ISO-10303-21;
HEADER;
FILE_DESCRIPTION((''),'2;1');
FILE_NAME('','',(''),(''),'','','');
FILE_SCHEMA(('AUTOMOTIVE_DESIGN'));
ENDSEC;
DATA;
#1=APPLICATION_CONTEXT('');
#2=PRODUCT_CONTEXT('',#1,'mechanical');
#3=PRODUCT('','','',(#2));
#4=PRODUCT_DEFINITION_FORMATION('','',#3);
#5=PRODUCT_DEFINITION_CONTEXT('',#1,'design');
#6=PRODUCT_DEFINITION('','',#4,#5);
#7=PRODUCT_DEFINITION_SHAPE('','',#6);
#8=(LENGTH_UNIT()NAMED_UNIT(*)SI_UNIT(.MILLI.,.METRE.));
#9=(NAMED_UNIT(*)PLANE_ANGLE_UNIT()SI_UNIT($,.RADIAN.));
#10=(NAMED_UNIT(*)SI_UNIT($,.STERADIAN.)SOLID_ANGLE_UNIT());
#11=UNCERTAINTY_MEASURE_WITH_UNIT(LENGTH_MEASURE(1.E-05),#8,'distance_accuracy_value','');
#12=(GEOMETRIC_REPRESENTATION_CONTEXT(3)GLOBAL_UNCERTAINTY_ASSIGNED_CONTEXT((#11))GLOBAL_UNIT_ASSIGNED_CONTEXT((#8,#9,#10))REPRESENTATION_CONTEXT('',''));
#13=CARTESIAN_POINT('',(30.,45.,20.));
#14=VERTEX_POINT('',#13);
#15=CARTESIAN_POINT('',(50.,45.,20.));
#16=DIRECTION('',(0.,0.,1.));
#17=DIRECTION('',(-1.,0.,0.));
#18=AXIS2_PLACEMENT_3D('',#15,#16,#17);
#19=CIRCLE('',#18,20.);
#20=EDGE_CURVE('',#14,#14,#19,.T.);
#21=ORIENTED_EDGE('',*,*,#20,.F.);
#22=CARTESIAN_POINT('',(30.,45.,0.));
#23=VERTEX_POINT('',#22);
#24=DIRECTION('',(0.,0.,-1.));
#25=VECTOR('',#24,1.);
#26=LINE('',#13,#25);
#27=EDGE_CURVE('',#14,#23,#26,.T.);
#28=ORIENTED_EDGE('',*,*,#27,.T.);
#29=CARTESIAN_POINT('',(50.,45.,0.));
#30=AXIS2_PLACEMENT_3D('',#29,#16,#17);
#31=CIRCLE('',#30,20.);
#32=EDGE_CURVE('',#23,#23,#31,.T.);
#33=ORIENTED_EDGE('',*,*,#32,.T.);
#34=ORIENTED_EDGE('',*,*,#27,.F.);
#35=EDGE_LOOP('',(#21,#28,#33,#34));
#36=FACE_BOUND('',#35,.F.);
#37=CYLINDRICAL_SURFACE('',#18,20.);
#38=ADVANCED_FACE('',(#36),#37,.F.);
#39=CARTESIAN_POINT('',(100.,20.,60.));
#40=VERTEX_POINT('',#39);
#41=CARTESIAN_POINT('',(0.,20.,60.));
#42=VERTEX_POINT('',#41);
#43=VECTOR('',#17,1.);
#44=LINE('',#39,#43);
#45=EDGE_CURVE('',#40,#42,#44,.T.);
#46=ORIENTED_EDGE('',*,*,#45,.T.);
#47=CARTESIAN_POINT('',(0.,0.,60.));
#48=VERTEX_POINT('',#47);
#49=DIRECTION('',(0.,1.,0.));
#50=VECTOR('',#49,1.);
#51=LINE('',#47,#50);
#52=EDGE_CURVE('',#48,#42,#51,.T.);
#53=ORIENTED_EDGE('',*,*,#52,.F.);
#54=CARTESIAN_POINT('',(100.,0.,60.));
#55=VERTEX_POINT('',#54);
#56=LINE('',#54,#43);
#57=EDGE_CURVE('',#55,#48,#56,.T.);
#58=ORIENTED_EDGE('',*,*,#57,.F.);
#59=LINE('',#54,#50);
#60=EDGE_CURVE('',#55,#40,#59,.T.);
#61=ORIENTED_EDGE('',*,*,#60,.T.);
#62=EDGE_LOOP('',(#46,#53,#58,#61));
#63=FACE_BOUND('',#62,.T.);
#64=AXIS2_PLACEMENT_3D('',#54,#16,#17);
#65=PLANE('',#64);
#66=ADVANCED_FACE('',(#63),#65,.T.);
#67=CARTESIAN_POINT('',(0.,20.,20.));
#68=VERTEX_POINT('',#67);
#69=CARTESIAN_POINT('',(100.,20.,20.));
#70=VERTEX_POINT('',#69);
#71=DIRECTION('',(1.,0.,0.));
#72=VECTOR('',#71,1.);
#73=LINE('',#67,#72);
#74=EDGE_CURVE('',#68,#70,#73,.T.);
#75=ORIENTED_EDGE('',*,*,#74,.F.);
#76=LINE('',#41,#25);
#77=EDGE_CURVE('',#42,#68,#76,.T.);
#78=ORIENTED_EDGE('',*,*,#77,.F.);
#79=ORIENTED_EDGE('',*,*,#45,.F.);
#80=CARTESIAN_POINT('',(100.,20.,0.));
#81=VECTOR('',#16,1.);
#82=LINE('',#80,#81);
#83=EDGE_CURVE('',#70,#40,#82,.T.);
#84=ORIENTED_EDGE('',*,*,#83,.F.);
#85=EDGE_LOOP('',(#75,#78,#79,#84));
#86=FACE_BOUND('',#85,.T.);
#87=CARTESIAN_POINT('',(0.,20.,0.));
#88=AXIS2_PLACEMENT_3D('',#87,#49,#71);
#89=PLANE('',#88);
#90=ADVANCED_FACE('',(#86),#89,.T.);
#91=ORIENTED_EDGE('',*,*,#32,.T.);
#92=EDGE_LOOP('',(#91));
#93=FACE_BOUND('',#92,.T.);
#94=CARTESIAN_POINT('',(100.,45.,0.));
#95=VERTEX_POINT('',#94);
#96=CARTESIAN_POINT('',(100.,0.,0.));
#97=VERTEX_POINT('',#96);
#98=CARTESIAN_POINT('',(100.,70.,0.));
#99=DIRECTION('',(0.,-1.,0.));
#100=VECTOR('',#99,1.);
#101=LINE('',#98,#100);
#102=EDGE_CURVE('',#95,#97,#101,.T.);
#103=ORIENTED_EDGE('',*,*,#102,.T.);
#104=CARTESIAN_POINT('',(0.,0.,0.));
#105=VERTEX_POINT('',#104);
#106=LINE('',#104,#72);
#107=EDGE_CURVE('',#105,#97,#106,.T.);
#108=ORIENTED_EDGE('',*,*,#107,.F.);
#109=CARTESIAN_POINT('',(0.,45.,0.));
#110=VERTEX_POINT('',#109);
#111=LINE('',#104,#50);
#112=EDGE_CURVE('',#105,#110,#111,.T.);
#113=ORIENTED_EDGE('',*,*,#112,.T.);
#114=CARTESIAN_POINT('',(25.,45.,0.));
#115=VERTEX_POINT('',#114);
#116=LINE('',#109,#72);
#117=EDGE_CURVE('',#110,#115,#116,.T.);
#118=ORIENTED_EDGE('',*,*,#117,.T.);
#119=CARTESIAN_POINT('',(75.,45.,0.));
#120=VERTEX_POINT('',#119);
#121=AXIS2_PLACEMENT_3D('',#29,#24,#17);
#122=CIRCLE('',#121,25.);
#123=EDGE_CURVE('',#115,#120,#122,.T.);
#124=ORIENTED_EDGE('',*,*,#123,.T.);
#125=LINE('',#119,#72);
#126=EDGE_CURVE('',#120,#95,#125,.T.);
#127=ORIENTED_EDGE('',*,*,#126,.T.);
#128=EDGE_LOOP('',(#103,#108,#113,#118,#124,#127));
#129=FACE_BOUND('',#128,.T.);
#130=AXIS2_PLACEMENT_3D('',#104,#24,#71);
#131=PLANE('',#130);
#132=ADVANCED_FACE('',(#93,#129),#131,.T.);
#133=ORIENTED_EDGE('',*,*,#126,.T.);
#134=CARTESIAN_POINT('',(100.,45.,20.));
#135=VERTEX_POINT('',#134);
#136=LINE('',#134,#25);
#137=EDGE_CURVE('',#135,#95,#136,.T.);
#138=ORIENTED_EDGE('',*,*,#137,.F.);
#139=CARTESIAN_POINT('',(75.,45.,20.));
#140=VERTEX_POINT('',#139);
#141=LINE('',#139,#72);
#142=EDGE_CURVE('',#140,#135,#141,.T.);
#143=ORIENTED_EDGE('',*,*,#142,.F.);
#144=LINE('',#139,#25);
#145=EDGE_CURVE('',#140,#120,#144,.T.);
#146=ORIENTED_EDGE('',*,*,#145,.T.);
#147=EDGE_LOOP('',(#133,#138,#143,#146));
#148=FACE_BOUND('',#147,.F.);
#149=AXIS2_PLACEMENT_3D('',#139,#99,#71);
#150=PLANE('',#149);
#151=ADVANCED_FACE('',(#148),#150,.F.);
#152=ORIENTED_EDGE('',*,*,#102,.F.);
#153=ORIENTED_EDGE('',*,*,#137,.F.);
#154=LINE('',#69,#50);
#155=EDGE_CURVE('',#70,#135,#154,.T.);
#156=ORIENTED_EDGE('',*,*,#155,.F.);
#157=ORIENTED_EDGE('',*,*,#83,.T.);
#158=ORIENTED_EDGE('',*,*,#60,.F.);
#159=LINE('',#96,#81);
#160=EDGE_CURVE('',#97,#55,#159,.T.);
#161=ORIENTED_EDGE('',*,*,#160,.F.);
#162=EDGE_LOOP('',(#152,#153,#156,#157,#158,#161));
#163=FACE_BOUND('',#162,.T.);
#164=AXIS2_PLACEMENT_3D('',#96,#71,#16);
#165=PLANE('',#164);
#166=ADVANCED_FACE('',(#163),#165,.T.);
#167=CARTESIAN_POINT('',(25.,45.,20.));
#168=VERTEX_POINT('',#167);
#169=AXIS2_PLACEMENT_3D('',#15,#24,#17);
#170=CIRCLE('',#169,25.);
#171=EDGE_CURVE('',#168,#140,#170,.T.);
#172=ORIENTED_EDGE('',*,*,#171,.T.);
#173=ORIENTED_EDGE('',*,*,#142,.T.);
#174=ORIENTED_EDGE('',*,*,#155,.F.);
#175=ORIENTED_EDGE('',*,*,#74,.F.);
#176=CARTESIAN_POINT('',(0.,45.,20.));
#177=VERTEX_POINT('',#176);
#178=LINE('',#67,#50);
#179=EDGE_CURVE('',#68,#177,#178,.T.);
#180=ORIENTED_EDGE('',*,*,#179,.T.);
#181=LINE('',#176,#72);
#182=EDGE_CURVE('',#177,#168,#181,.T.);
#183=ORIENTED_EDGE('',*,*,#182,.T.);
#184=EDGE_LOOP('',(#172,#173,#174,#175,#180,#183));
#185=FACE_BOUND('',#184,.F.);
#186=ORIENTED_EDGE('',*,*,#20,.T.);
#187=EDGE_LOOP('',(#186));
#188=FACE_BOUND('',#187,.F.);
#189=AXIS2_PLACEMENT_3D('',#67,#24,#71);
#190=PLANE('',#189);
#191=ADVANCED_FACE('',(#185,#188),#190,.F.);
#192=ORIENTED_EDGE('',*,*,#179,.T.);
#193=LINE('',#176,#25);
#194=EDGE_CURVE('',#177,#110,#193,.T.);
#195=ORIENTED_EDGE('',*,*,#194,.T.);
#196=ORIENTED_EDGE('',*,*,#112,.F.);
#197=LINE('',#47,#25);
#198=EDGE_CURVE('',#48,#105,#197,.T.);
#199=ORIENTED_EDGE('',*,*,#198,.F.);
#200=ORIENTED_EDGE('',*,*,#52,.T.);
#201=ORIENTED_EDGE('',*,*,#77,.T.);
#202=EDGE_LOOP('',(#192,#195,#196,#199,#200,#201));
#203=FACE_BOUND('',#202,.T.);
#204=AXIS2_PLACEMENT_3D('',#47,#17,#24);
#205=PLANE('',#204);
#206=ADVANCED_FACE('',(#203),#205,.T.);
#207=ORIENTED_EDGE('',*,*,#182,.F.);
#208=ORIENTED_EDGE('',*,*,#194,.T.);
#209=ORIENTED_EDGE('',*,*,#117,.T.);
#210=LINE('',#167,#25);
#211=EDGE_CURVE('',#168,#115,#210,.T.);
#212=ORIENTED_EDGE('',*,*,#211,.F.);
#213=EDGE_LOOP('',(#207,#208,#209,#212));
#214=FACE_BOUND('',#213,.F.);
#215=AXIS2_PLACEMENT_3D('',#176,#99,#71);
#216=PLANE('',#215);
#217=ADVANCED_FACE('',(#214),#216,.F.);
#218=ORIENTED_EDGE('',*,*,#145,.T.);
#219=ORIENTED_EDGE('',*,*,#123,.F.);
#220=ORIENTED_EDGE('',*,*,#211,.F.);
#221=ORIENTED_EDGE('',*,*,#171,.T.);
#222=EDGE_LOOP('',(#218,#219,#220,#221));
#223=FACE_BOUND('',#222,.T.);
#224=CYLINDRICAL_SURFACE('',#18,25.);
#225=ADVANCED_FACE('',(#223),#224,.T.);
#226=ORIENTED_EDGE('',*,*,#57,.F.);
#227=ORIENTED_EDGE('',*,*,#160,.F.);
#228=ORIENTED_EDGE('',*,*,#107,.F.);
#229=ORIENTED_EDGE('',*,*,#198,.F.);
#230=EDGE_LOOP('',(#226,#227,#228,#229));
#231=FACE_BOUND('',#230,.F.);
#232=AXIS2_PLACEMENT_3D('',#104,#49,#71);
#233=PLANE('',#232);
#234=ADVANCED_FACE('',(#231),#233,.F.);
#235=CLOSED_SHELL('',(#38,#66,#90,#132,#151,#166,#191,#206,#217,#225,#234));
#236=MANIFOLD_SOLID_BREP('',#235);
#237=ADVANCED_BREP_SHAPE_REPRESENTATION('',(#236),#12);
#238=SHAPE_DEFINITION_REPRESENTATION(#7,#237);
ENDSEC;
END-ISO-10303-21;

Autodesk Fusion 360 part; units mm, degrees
sketch "Sketch1" plane through (0, 0, 0) normal (0, 0, 1) x (1, 0, 0)
sketch "Sketch2" plane through (0, 0, 0) normal (0, 1, 0) x (1, 0, 0)
  line L0 (0, 0) -> (100, 0)
  line L1 (100, 0) -> (100, -60)
  line L2 (100, -60) -> (0, -60)
  line L3 (0, -60) -> (0, 0)
  dimension "d1" = 100
  dimension "d2" = 60
extrude "Extrude1" add sketch "Sketch2" along normal blind 20
sketch "Sketch3" plane through (0, 20, 0) normal (0, 1, 0) x (-1, 0, 0)
  line L0 (0, 60) -> (-100, 60)
  line L1 (-100, 60) -> (-100, 0)
  line L2 (-100, 0) -> (0, 0)
  line L3 (0, 0) -> (0, 60)
  line L4 (0, 20) -> (-100, 20)
  dimension "d5" = 20
extrude "Extrude2" add sketch "Sketch3" along normal blind 50 contours L1 L2 L3 L4
sketch "Sketch4" plane through (0, 0, 20) normal (0, 0, 1) x (-1, 0, 0)
  line L0 (0, -20) -> (-100, -20)
  line L1 (-100, -20) -> (-100, -70)
  line L2 (-100, -70) -> (0, -70)
  line L3 (0, -70) -> (0, -20)
  circle A0 centre (-50, -45) radius 20
  circle A1 centre (-50, -45) radius 25
  line L4 (0, -45) -> (-25, -45)
  line L5 (-75, -45) -> (-100, -45)
  dimension "d8" = 40
  dimension "d9" = 50
extrude "Extrude3" cut sketch "Sketch4" against normal blind 20 contours L2 L3 A1 L4 | L1 L2 A1 L5 | A0
